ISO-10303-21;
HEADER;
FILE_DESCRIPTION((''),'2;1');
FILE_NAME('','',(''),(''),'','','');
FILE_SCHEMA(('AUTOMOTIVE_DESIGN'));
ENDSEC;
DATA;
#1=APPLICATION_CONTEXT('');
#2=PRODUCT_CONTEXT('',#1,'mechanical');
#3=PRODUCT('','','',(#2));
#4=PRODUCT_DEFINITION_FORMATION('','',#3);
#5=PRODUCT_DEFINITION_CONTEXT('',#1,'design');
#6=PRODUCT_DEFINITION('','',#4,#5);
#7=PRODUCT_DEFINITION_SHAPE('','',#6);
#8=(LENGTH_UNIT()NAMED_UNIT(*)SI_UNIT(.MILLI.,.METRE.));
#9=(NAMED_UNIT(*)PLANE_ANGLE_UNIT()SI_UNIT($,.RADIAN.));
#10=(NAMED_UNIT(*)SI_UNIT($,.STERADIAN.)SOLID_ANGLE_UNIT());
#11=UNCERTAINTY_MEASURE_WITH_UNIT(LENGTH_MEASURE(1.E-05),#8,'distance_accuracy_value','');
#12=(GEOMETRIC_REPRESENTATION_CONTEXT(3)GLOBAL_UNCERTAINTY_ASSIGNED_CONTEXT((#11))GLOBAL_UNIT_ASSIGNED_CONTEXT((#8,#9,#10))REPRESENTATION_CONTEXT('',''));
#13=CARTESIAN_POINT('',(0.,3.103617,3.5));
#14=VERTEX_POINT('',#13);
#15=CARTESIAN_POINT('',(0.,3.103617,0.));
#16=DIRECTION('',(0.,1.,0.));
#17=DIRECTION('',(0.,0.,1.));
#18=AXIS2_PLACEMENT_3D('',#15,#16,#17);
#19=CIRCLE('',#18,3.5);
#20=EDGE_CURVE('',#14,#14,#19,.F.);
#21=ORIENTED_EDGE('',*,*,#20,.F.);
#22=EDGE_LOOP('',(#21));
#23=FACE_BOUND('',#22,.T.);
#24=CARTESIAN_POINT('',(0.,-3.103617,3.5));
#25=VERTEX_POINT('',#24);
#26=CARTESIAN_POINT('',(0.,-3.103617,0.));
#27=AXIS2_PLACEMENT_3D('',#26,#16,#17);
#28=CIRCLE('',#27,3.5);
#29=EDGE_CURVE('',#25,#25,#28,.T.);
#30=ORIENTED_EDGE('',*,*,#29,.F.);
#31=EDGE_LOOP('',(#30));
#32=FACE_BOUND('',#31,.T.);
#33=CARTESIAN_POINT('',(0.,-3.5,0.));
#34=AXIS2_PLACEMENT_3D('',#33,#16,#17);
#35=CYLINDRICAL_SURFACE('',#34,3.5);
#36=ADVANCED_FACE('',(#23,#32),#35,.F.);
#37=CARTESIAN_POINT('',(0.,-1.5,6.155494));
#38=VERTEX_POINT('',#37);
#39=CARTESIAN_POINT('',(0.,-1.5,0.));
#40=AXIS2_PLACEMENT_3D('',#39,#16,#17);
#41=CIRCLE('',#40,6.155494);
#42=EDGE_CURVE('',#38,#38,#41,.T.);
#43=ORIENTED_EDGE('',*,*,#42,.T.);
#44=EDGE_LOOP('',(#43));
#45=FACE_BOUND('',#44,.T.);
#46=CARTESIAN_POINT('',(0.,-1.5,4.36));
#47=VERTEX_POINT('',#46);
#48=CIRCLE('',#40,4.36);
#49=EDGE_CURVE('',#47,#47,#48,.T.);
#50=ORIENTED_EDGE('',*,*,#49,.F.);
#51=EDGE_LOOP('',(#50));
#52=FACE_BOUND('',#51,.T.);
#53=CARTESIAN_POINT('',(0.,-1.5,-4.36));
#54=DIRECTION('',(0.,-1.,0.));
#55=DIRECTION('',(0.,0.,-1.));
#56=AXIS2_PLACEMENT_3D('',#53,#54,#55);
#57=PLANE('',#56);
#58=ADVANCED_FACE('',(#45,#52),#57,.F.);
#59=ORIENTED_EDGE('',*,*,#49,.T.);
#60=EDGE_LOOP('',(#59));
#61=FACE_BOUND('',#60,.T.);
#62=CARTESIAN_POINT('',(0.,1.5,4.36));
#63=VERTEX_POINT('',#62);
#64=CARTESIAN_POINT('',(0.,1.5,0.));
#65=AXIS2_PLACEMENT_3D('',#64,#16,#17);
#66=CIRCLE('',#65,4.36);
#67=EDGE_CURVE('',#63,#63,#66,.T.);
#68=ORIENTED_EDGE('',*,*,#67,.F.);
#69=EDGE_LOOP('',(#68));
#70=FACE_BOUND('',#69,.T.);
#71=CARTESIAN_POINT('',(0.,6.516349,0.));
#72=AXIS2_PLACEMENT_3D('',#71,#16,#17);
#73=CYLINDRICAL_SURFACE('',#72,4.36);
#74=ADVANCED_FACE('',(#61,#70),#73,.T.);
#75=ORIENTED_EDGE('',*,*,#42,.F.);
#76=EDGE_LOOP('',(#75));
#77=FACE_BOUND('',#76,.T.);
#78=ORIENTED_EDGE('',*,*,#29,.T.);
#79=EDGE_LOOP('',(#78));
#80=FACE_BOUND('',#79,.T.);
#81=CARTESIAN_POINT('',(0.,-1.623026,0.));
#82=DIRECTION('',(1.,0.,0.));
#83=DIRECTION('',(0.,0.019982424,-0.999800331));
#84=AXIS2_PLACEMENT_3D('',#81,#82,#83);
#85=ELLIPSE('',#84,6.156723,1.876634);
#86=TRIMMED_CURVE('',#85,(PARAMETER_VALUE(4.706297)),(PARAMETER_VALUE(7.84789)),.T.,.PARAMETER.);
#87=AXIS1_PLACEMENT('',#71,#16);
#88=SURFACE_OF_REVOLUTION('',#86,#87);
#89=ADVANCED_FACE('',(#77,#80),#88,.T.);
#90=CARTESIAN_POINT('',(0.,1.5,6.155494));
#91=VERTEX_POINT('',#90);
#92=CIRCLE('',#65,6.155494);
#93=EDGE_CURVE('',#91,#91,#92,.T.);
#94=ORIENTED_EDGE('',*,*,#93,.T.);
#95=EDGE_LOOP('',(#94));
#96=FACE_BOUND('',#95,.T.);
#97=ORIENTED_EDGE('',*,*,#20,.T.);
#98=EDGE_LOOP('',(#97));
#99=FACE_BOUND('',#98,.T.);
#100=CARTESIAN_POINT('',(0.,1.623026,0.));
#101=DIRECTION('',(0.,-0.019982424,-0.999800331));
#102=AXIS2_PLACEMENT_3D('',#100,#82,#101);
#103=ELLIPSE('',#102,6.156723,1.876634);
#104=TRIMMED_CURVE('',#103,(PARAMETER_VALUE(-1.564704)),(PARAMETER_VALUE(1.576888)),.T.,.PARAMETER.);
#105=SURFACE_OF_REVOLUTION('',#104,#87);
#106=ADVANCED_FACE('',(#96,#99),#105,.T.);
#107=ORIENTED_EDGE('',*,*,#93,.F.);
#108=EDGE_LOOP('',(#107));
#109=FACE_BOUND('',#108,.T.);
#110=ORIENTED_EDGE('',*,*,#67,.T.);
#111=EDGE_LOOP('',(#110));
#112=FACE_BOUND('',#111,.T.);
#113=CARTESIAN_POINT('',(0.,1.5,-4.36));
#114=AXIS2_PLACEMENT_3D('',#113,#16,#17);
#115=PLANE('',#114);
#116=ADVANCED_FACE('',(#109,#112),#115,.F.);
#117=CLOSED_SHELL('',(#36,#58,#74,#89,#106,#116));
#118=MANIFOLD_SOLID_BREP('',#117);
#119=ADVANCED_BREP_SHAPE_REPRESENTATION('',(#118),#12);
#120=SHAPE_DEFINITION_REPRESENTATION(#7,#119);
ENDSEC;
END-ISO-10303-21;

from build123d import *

# Parameters (mm, degrees)
SKETCH_2_R          = 3.5
CUT_EXTRUDE_1_DEPTH = 9.0000001


with BuildPart() as part:
    # 草图1 → 旋转1 (revolve)
    with BuildSketch(Plane(origin=(0, 0, 0), x_dir=(0, 0, -1), z_dir=(1, 0, 0))):
        with BuildLine():
            Line((4.36, -1.5), (6.155493681, -1.5))
            add(Edge.make_bspline(
                [(0, -3.5), (6.193222519, -3.387724216), (6.155493681, -1.5)],
                knots=[4.706296987, 4.706296987, 4.706296987, 6.283185307, 6.283185307, 6.283185307], degree=2, weights=[1, 0.704949659, 1]))
            Line((0, -3.5), (0, 3.5))
            add(Edge.make_bspline(
                [(6.155493681, 1.5), (6.193222519, 3.387724216), (0, 3.5)],
                knots=[0, 0, 0, 1.57688832, 1.57688832, 1.57688832], degree=2, weights=[1, 0.704949659, 1]))
            Line((6.155493681, 1.5), (4.36, 1.5))
            Line((4.36, 1.5), (4.36, -1.5))
        make_face()
    revolve(axis=Axis((0, 6.516349088, 0), (0, -1, 0)))

    # 草图2 → 切除-拉伸1 (cut, through all)
    with BuildSketch(Plane(origin=(0, 4.5, 0), x_dir=(1, 0, 0), z_dir=(0, 1, 0))):
        Circle(SKETCH_2_R)
    extrude(amount=-CUT_EXTRUDE_1_DEPTH, mode=Mode.SUBTRACT)


solid = part.part
